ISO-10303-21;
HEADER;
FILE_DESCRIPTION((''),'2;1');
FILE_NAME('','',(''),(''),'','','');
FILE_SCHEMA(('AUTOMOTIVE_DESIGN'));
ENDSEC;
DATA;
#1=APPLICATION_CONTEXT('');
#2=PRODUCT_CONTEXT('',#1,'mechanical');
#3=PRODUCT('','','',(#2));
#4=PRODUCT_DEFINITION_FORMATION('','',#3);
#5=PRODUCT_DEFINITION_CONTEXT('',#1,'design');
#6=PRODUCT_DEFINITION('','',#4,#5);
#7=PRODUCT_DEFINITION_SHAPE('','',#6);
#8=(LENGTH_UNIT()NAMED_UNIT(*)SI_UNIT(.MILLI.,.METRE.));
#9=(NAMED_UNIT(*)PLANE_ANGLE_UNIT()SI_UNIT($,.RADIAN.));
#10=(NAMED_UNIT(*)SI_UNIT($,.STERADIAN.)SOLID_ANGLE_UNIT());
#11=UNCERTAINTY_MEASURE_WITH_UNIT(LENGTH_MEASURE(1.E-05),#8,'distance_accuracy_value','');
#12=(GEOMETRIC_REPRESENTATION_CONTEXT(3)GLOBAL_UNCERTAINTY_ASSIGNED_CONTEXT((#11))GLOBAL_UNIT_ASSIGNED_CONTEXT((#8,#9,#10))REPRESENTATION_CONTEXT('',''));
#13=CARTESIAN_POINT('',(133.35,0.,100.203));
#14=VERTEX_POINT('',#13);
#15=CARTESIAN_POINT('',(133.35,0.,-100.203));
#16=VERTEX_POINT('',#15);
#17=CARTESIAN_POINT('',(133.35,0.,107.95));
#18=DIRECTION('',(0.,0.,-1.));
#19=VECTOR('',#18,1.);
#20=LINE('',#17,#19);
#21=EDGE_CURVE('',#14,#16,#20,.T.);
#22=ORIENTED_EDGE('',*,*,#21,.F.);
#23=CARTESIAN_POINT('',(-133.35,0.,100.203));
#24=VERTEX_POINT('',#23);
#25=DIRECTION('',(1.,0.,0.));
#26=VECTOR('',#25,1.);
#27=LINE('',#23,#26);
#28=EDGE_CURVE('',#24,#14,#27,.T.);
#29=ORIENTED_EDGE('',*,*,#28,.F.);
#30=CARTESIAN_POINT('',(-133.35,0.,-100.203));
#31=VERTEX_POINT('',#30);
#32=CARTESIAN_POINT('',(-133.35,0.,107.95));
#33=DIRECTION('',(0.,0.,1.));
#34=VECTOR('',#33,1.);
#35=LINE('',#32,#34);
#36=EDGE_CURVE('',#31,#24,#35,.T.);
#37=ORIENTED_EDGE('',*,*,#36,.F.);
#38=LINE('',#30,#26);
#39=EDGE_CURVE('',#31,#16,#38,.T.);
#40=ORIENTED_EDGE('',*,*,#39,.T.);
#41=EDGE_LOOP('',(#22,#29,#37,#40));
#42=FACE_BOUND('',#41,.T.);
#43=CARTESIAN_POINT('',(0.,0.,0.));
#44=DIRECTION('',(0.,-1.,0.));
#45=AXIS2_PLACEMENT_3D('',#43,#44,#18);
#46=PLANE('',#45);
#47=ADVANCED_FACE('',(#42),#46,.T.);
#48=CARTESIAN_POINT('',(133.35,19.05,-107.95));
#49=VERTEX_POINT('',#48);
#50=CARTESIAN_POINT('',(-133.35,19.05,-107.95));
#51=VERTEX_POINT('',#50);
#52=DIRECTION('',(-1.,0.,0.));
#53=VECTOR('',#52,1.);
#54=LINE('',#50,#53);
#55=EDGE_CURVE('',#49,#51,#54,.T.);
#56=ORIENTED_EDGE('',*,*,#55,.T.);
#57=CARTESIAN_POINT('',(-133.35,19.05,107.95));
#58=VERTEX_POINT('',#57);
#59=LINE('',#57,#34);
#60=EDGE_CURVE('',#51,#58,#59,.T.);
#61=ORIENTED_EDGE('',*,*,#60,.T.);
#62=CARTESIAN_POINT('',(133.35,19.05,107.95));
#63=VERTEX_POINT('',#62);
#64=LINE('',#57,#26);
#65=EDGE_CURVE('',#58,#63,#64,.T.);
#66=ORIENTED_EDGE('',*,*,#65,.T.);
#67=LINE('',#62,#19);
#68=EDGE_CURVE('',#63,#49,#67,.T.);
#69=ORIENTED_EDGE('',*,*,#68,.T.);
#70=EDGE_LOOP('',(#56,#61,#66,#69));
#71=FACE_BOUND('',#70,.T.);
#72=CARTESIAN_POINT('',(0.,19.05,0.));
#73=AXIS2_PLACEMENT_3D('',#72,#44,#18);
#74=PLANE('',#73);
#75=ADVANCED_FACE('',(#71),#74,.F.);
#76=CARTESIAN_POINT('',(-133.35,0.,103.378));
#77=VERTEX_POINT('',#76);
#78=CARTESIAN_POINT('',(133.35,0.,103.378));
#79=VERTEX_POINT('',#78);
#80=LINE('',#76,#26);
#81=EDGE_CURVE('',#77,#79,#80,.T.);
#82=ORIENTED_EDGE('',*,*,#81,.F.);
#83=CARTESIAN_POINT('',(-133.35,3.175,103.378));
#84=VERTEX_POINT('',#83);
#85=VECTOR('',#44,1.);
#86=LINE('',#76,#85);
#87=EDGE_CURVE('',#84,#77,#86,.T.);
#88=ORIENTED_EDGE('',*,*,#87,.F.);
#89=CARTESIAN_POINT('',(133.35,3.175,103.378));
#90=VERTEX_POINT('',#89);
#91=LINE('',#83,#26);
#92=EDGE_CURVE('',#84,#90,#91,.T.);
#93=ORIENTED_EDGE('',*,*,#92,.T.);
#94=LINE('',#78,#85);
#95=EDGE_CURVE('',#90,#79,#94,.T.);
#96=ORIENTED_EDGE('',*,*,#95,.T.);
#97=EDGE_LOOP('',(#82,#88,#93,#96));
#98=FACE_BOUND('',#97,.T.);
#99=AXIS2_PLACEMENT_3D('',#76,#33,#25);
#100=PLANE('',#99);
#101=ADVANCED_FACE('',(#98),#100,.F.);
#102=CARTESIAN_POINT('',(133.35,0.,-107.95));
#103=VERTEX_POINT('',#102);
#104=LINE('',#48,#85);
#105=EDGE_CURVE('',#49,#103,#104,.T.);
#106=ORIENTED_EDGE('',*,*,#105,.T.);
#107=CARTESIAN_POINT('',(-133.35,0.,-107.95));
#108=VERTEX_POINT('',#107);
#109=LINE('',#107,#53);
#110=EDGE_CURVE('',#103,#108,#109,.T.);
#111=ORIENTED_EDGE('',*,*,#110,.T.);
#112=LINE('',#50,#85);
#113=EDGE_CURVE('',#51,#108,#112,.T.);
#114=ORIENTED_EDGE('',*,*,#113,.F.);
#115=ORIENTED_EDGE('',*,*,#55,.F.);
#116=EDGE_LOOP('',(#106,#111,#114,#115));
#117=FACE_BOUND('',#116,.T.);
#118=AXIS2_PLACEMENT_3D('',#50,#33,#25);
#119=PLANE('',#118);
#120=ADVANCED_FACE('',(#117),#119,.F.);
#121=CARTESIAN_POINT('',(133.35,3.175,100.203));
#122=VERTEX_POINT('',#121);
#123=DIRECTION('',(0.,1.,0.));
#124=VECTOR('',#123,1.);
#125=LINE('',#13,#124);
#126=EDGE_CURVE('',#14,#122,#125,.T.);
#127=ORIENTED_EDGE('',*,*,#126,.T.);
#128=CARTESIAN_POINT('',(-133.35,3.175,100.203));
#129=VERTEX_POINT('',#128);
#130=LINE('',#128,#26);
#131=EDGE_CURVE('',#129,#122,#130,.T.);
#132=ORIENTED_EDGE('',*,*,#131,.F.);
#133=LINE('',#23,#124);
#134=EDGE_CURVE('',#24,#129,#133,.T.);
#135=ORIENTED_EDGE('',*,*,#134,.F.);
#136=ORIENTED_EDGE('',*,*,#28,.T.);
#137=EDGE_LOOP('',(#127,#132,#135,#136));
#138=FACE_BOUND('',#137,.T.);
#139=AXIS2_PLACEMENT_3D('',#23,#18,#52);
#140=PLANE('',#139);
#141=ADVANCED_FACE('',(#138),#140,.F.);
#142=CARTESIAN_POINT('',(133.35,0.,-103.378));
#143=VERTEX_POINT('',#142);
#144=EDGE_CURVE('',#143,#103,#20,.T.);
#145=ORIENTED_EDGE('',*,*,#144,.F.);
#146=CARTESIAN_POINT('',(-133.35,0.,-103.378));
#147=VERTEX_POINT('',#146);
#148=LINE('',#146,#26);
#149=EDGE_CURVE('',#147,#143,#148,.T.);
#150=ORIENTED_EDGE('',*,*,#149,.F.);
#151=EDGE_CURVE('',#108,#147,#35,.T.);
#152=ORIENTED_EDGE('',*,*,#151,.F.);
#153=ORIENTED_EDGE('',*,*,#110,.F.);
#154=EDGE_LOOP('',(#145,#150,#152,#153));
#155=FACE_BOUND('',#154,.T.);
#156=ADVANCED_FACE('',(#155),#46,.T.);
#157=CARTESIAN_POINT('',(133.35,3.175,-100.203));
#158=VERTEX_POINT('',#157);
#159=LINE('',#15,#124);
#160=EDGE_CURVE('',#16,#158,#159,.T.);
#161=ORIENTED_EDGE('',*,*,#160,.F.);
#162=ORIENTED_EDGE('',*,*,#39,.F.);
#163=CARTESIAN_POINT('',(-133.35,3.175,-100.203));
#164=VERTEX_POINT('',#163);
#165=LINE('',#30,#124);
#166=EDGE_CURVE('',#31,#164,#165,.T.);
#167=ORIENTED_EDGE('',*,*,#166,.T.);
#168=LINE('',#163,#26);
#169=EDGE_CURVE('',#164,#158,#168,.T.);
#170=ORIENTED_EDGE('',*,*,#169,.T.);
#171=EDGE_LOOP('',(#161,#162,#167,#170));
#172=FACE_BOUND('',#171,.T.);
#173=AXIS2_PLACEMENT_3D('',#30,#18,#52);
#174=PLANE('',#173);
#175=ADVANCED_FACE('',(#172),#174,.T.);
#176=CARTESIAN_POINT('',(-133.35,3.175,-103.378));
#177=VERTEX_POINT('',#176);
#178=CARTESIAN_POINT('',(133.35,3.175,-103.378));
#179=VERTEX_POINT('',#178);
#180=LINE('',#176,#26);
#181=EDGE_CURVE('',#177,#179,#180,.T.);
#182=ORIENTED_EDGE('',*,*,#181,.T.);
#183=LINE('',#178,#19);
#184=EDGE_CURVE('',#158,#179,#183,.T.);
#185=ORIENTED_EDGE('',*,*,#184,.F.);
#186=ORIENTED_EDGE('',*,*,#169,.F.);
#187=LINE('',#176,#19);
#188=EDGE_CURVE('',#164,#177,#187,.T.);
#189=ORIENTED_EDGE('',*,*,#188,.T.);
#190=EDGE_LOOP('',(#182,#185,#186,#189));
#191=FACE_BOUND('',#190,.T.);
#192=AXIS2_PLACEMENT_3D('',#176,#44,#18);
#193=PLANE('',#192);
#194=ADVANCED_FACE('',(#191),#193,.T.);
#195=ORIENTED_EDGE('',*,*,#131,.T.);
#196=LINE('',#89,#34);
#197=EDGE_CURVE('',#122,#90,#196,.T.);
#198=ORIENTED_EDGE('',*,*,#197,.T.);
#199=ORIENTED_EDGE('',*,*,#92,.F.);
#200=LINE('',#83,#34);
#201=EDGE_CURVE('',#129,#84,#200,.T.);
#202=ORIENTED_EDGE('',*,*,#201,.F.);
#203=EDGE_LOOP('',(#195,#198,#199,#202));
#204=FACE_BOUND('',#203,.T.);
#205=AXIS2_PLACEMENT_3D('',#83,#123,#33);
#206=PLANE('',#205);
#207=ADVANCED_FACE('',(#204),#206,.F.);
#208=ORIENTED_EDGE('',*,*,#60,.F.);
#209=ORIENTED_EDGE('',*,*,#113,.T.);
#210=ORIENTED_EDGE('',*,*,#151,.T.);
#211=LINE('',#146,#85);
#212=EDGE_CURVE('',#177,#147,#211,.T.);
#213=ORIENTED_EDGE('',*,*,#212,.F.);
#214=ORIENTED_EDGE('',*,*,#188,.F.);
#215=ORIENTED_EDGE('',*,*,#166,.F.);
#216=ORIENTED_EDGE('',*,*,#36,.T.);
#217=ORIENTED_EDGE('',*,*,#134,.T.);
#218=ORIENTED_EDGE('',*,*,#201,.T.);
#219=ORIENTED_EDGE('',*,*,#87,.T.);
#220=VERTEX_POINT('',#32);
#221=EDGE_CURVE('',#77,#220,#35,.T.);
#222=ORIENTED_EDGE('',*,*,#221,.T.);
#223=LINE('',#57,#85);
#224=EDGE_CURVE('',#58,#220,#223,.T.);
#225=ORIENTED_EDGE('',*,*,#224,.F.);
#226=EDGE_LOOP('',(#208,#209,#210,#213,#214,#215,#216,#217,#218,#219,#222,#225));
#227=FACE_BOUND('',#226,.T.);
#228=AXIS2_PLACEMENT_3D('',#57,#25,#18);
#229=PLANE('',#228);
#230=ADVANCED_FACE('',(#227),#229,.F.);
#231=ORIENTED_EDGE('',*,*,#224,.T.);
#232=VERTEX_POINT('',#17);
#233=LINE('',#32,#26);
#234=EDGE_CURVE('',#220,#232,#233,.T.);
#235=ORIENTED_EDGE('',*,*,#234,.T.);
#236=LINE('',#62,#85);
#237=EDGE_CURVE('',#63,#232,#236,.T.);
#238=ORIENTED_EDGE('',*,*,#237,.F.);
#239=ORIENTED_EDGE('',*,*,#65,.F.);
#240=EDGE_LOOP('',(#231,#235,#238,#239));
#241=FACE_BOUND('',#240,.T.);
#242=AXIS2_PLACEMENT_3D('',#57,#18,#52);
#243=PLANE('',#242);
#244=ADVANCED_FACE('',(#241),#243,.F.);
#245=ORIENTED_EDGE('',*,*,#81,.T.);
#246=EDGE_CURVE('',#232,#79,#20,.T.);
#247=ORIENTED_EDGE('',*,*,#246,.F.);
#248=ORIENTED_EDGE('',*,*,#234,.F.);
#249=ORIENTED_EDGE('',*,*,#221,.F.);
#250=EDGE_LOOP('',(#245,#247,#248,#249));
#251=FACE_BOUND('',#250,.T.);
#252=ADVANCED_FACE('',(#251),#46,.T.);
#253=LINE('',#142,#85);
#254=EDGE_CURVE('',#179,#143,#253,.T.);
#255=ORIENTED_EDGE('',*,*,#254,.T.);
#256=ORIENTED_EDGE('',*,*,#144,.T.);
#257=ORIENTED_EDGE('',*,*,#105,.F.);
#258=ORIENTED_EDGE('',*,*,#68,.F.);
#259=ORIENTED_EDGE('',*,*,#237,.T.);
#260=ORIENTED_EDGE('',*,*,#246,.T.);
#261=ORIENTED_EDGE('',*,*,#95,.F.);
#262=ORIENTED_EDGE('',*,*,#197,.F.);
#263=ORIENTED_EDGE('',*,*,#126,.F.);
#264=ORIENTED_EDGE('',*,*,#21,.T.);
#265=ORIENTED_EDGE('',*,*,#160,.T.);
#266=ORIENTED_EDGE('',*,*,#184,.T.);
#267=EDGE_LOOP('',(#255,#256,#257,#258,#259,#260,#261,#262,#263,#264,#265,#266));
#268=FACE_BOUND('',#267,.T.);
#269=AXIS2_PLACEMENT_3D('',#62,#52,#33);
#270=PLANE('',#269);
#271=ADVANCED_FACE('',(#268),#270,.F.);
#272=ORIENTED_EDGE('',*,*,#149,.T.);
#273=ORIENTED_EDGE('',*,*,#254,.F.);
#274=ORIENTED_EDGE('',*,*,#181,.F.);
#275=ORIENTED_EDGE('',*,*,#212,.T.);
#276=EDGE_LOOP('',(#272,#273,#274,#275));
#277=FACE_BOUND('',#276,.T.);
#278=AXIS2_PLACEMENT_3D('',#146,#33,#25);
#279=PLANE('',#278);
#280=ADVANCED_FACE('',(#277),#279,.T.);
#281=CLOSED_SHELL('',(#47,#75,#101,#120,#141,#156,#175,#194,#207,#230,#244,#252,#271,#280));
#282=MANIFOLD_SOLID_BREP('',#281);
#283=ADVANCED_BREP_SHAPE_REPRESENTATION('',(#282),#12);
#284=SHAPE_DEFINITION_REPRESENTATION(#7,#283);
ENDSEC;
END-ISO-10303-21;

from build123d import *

# Parameters (mm, degrees)
SKETCH1_W           = 266.7
SKETCH1_H           = 215.9
BOSS_EXTRUDE1_DEPTH = 19.05
SKETCH3_W           = 3.175
SKETCH3_H           = 3.175
CUT_EXTRUDE2_DEPTH  = 134.35


with BuildPart() as part:
    # Sketch1 → Boss-Extrude1 (new body)
    with BuildSketch(Plane(origin=(0, 0, 0), x_dir=(1, 0, 0), z_dir=(0, 1, 0))):
        Rectangle(SKETCH1_W, SKETCH1_H)
    extrude(amount=BOSS_EXTRUDE1_DEPTH)

    # Sketch3 → Cut-Extrude2 (cut, symmetric)
    with BuildSketch(Plane(origin=(0, 0, 0), x_dir=(0, 0, -1), z_dir=(1, 0, 0))):
        with Locations((-101.7905, 1.5875)):
            Rectangle(SKETCH3_W, SKETCH3_H)
    cut_extrude2 = extrude(amount=CUT_EXTRUDE2_DEPTH, both=True, mode=Mode.SUBTRACT)

    # Mirror2: Cut-Extrude2 across plane
    add(cut_extrude2.mirror(Plane.XY), mode=Mode.SUBTRACT)


solid = part.part
